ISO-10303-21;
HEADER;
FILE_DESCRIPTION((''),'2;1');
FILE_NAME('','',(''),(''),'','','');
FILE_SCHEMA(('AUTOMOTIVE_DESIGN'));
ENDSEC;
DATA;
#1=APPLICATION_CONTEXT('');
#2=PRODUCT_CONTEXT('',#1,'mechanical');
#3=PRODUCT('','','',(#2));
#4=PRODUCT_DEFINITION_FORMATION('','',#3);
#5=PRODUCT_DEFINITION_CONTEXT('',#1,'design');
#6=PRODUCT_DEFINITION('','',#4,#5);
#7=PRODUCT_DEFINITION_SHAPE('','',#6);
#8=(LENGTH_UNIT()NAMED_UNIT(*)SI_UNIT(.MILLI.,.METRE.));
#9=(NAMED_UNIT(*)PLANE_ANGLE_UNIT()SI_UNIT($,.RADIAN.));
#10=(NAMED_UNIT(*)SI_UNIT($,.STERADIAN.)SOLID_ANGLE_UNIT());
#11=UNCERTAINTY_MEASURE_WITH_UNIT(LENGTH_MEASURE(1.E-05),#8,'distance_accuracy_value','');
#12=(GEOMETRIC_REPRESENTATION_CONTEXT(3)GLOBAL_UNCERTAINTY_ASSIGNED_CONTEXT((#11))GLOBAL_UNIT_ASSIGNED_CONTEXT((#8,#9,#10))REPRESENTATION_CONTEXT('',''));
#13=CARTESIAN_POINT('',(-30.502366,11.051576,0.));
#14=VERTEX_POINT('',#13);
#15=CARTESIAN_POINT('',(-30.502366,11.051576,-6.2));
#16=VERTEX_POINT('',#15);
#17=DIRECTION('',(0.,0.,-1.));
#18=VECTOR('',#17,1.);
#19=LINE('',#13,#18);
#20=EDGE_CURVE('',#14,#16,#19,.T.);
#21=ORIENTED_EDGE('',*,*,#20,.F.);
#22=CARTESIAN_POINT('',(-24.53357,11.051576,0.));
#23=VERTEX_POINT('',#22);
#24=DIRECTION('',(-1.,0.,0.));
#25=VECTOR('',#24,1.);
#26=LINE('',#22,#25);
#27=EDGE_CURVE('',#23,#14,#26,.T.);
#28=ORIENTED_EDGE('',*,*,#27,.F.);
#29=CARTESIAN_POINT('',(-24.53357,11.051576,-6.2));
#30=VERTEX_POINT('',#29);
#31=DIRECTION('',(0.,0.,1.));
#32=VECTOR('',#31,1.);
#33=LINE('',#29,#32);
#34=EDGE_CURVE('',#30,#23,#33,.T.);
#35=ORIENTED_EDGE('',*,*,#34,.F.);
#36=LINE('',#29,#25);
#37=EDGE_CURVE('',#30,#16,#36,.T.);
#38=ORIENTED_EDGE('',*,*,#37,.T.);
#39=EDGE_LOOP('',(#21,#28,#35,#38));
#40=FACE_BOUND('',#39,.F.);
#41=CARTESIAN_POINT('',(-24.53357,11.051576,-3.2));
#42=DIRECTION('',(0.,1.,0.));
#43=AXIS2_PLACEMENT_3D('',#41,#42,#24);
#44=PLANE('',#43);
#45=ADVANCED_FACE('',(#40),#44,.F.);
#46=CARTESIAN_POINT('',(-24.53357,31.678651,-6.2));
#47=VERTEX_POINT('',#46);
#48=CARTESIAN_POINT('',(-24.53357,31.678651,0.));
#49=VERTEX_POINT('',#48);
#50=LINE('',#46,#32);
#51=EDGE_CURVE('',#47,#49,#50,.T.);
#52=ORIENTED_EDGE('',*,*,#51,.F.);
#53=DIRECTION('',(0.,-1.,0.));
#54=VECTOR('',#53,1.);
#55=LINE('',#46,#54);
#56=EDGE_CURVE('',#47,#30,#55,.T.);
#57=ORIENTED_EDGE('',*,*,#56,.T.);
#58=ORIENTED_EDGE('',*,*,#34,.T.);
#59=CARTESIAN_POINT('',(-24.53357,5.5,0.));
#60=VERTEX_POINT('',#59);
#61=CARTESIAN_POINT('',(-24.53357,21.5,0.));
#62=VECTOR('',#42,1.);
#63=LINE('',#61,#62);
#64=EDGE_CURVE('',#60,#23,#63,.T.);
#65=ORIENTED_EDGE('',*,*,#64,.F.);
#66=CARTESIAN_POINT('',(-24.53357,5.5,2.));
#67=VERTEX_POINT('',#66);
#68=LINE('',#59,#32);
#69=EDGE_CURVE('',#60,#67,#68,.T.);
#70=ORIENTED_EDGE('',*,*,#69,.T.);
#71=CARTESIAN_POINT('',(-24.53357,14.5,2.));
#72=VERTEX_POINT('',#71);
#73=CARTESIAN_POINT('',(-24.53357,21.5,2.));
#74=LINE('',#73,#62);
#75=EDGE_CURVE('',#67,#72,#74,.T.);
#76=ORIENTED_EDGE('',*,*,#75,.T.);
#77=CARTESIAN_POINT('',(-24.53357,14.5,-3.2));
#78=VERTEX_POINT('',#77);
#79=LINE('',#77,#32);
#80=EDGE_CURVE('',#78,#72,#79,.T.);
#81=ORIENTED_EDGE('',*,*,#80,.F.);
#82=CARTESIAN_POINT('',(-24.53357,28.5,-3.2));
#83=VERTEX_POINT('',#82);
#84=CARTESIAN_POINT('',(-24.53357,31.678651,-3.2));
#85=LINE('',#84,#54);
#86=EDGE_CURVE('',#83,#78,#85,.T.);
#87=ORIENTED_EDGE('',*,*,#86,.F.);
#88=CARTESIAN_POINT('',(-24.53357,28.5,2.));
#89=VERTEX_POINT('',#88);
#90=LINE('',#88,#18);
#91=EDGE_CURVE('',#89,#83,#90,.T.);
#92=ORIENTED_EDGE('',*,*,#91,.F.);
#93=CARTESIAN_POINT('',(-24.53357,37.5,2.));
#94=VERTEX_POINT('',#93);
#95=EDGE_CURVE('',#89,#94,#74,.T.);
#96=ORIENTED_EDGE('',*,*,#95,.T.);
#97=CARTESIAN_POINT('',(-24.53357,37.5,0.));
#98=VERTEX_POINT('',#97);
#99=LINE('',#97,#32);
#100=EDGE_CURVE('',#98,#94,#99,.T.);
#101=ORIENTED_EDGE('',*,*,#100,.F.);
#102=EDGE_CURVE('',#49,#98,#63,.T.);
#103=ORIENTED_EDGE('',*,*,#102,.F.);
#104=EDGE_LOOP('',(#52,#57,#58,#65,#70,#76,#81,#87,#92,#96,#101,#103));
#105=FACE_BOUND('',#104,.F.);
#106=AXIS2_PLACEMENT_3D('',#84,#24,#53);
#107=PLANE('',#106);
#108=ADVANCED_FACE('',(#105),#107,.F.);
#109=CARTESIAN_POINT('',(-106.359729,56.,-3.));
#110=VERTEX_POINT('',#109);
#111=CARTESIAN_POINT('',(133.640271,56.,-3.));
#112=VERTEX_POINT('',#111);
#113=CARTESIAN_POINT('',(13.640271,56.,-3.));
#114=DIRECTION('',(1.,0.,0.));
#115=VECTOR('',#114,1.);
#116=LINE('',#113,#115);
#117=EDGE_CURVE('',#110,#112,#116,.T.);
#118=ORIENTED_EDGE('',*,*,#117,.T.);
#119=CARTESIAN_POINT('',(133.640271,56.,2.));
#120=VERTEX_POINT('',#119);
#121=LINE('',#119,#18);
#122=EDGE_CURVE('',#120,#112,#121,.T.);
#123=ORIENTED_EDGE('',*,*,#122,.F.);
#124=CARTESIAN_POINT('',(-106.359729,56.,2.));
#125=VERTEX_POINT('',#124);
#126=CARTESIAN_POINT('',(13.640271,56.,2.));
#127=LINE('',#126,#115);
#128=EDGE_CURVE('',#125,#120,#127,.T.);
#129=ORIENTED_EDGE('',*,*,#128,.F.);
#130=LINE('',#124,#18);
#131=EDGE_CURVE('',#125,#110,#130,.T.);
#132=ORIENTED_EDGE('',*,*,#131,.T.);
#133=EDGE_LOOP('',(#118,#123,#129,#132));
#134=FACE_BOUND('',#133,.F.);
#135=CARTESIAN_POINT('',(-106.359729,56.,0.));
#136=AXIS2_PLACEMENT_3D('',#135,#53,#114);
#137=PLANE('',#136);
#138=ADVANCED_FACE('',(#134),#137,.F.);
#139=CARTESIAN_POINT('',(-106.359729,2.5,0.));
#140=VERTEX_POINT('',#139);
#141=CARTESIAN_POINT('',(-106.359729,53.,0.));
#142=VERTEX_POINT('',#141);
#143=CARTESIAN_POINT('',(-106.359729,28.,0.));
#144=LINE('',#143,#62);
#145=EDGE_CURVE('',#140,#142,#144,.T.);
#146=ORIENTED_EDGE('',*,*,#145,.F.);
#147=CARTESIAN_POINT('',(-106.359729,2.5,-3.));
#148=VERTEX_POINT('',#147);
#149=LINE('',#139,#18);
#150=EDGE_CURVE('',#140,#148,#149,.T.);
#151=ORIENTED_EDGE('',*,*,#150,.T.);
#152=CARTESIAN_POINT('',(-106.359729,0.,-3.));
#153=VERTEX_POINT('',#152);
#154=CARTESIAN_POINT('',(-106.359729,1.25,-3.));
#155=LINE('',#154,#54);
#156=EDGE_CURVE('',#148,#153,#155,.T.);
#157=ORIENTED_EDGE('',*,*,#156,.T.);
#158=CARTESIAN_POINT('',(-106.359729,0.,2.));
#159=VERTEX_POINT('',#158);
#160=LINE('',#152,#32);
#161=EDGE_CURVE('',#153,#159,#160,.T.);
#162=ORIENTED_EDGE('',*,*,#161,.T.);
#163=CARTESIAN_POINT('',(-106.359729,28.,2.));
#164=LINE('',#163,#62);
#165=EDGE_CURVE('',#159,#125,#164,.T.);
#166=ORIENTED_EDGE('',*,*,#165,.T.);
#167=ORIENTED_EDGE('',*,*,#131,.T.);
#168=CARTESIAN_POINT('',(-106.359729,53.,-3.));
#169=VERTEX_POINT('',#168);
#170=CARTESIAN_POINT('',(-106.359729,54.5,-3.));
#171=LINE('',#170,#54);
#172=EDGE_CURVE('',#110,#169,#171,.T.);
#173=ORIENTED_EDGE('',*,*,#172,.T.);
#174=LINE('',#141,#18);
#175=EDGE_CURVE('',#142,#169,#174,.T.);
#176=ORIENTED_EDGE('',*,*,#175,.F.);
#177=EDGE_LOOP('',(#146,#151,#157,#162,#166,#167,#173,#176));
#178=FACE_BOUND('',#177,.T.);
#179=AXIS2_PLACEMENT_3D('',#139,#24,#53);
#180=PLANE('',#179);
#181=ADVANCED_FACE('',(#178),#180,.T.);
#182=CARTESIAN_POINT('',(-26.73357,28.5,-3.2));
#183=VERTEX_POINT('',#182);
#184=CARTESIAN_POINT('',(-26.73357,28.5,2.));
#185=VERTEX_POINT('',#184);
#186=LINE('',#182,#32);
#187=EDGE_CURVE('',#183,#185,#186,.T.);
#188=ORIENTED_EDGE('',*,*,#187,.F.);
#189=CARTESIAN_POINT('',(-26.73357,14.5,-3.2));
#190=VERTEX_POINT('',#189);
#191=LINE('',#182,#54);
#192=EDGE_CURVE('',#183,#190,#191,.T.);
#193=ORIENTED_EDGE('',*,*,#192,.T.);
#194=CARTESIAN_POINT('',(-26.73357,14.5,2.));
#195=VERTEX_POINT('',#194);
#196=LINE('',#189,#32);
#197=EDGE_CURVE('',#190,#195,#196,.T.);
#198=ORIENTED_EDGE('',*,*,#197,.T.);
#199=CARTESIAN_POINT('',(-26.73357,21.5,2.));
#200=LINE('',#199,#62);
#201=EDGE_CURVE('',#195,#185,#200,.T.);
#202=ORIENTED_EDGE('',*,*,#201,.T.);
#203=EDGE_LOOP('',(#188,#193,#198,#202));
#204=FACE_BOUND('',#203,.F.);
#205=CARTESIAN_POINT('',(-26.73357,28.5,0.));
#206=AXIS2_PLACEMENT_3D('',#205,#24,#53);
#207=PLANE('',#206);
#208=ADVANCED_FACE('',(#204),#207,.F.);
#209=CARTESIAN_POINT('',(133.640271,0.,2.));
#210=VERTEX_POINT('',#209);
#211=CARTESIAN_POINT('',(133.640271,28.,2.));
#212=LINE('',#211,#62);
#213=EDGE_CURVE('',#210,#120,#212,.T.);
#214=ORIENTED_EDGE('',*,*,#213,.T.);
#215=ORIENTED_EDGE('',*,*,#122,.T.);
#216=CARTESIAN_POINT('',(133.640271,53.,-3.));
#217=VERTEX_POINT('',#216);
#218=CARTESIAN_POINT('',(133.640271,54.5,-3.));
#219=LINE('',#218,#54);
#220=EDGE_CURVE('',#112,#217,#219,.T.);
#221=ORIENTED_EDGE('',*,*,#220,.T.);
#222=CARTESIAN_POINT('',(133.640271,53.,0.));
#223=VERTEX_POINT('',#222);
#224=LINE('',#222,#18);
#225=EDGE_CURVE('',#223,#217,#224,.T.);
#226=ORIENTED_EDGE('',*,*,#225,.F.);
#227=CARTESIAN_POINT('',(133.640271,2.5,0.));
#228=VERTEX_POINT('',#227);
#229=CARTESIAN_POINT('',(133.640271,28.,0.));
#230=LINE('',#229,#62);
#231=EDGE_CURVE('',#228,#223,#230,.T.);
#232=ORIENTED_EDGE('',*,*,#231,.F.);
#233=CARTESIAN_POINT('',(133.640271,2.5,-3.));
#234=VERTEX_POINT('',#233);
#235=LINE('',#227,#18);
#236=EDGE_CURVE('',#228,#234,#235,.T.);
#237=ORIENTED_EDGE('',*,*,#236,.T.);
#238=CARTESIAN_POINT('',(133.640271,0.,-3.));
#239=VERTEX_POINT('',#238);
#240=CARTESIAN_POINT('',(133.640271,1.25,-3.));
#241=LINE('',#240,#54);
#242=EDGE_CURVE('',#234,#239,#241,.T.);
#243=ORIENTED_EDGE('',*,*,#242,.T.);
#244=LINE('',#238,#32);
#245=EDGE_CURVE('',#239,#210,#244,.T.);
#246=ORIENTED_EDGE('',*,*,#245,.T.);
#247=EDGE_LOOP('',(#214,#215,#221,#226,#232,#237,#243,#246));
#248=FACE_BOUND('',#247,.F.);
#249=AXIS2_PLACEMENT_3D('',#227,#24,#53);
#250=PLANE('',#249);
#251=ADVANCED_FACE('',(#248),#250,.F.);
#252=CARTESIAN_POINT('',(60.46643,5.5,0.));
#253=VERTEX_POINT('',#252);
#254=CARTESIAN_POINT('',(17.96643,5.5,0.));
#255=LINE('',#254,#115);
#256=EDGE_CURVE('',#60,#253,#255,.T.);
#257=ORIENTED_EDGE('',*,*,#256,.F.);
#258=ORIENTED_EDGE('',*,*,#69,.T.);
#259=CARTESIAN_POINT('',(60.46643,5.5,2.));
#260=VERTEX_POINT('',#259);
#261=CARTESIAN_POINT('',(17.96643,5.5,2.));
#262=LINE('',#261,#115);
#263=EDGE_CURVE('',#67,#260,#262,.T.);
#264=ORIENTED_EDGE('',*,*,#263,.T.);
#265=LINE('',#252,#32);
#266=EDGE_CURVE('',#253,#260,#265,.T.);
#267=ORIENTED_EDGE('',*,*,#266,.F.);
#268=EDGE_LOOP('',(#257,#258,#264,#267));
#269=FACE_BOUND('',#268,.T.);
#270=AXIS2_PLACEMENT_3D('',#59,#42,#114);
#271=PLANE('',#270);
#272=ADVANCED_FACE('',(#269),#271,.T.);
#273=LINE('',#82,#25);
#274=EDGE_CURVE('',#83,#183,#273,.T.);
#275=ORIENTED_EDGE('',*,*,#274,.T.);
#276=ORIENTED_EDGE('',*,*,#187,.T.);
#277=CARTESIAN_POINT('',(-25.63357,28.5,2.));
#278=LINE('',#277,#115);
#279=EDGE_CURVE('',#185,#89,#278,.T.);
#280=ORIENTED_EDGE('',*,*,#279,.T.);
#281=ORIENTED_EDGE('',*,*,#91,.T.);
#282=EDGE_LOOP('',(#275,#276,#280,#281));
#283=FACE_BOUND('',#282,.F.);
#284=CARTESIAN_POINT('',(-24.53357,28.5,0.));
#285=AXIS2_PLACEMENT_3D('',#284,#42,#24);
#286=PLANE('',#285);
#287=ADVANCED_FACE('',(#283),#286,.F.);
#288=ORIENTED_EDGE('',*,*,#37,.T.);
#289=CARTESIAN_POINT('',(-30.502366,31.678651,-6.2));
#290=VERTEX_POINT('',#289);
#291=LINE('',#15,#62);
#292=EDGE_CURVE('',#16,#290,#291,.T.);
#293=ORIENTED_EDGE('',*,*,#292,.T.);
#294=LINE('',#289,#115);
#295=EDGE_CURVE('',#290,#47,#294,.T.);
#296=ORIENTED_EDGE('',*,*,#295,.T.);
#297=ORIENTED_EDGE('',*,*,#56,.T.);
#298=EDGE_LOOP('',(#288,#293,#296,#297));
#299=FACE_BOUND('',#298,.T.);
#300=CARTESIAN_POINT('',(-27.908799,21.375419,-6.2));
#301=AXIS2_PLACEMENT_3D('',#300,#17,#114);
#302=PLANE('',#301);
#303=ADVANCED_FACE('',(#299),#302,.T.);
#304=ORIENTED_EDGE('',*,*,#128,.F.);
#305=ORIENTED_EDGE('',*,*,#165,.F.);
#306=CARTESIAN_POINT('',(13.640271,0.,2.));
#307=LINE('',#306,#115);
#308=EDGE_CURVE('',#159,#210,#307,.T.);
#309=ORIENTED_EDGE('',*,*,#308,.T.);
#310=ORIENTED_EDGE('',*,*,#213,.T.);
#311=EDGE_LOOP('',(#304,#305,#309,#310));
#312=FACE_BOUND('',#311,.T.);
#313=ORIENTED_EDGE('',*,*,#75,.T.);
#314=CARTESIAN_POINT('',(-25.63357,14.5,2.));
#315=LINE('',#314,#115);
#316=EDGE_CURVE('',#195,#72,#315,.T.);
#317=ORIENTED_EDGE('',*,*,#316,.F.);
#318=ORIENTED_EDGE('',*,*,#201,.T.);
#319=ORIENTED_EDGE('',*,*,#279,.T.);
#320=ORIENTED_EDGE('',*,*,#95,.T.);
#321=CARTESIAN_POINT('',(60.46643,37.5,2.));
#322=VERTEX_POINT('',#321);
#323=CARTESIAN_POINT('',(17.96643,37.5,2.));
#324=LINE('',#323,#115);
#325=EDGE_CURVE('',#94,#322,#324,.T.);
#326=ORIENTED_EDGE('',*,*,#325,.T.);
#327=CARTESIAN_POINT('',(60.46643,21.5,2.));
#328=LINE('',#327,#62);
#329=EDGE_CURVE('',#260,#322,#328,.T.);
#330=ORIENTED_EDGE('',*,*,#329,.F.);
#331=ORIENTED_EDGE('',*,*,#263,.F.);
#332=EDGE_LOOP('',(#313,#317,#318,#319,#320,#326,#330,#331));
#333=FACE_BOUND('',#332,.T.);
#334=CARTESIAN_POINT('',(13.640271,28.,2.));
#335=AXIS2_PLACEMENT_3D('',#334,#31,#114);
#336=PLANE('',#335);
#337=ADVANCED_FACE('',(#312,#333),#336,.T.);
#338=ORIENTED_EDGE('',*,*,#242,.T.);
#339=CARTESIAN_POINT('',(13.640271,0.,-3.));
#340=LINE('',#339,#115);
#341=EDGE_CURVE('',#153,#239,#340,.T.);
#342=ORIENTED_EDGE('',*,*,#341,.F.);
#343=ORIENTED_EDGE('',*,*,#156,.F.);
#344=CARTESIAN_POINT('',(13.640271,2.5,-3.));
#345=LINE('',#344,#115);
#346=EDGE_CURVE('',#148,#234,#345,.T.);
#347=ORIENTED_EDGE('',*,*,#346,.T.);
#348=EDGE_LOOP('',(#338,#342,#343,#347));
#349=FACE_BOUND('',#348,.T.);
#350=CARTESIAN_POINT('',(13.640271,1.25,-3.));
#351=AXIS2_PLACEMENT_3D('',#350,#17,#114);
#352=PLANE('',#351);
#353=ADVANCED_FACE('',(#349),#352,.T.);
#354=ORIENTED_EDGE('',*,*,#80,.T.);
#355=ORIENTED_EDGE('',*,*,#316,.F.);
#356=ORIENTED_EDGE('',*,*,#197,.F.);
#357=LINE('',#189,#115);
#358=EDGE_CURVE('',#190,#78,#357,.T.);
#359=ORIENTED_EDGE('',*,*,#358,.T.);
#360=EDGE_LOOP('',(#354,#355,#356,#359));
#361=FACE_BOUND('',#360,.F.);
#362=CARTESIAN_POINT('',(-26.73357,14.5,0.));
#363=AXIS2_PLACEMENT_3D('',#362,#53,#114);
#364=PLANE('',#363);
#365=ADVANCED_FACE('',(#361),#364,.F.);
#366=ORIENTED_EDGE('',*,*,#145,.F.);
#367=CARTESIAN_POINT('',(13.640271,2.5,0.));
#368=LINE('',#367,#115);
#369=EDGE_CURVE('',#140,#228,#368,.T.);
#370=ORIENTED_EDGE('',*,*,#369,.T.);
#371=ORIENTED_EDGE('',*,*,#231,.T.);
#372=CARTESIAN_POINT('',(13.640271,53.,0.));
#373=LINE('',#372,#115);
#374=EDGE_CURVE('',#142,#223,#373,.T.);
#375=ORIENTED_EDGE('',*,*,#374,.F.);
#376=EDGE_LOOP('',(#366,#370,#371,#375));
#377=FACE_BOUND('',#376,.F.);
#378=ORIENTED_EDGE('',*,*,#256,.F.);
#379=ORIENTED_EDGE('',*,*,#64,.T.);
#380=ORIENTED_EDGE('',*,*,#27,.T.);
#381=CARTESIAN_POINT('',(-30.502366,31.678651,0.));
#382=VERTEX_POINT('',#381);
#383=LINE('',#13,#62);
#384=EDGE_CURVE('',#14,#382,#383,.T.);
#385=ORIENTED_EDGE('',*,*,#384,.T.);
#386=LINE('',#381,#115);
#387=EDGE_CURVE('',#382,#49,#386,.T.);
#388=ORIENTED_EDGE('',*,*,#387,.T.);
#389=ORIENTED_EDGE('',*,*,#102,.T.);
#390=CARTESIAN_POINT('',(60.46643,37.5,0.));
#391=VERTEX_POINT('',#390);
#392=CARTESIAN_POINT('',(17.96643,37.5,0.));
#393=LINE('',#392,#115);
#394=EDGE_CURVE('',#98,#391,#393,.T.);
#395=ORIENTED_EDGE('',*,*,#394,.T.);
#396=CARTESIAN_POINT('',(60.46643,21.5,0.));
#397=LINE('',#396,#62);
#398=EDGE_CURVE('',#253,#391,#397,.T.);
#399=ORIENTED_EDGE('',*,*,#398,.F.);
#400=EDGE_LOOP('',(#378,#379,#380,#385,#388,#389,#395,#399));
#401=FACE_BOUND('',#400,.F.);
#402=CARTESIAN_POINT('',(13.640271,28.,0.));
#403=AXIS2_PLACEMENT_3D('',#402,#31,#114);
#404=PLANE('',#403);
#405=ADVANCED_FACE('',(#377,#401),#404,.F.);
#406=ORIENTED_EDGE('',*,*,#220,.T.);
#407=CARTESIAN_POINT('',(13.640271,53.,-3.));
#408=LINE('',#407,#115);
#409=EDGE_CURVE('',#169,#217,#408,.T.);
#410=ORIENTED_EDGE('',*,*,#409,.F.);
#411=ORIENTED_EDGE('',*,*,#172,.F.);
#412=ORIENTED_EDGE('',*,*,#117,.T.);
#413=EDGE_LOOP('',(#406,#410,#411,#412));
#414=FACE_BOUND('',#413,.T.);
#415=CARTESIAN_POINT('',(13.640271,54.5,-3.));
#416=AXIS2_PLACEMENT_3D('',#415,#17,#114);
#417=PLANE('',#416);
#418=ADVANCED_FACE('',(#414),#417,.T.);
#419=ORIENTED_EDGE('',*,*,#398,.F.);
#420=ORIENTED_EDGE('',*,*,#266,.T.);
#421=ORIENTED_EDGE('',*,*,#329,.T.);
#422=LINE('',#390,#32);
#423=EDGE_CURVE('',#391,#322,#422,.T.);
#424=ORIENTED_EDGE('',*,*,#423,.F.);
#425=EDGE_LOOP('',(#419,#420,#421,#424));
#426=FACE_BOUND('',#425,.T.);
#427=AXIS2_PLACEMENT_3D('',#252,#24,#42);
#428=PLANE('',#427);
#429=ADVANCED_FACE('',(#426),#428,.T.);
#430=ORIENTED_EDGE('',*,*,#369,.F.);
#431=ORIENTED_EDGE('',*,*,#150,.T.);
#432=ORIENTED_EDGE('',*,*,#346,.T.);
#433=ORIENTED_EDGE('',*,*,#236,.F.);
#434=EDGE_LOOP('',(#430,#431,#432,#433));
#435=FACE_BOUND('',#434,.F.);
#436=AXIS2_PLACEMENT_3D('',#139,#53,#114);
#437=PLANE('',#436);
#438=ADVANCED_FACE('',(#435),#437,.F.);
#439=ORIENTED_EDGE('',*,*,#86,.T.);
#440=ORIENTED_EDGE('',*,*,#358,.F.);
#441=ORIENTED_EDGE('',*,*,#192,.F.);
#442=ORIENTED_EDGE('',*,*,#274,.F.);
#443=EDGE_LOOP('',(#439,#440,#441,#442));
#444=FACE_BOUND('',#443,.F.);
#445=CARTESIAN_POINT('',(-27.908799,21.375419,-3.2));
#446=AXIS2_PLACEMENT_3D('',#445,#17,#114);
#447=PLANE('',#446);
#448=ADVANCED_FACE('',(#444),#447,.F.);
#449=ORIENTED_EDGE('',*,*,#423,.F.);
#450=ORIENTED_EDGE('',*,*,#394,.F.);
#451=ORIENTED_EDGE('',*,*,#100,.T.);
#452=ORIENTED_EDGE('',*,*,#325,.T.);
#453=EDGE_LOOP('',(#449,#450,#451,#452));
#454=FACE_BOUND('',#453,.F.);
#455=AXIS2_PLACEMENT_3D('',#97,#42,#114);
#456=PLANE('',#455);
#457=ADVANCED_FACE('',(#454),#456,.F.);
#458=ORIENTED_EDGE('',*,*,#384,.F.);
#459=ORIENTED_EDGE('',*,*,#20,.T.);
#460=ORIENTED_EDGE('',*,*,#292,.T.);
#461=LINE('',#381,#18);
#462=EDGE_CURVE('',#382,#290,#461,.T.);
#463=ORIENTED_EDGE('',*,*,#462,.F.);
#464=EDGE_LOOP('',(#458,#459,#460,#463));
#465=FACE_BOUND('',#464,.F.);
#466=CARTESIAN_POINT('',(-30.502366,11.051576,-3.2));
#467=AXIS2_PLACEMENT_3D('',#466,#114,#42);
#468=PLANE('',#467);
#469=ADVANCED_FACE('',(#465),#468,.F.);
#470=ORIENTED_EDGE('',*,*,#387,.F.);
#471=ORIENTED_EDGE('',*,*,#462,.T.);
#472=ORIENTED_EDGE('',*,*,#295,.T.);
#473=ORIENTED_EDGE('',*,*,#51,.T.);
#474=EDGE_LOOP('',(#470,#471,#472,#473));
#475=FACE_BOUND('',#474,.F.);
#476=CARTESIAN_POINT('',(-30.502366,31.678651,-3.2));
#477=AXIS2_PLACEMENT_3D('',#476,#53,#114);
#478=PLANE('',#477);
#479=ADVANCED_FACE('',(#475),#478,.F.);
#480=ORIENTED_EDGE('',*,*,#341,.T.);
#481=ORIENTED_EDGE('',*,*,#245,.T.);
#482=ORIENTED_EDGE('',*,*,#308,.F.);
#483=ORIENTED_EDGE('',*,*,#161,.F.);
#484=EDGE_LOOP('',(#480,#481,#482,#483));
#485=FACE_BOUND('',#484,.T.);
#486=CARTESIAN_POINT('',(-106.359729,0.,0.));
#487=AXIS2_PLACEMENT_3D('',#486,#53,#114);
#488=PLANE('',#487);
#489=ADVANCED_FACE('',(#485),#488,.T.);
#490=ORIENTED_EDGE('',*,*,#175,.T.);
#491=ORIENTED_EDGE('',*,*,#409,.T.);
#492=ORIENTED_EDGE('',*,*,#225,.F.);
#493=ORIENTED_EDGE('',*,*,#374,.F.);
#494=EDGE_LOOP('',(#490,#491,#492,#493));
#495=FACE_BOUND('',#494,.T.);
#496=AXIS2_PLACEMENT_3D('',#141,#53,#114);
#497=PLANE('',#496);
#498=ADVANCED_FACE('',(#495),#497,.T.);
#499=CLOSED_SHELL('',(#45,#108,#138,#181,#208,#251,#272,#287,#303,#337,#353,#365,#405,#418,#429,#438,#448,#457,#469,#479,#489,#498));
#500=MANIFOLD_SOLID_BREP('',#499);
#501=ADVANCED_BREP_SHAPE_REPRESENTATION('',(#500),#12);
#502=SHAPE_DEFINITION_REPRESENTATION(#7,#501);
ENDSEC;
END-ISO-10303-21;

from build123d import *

# Parameters (mm, degrees)
F0_W      = 240
F0_H      = 56
F0_W_2    = 85
F0_H_2    = 32
F1_DEPTH  = 2
F2_W      = 2.2
F2_H      = 14
F3_DEPTH  = 25
F5_DEPTH  = 3.2
F6_W      = 2.2
F6_H      = 14
F7_DEPTH  = 3
F8_W      = 240
F8_H      = 3
F9_DEPTH  = 3
F8_H_2    = 2.5
F10_DEPTH = 3


with BuildPart() as f1:
    # F0 (on Top) → F1 (new body)
    with BuildSketch(Plane.XY):
        with Locations((13.640271, 28)):
            Rectangle(F0_W, F0_H)
        with Locations((17.96643, 21.5)):
            Rectangle(F0_W_2, F0_H_2, mode=Mode.SUBTRACT)
    extrude(amount=F1_DEPTH)

    # F2 (on face) → F3 (cut)
    with BuildSketch(Plane.XY.offset(2)):
        with Locations((-25.63357, 21.5)):
            Rectangle(F2_W, F2_H)
    extrude(amount=-F3_DEPTH, mode=Mode.SUBTRACT)

    # F4 (on face) → F5 (join)
    with BuildSketch(Plane(origin=(0, 0, 0), x_dir=(1, 0, 0), z_dir=(0, 0, -1))):
        Polygon((-24.53357, -14.5), (-24.53357, -11.051576), (-30.502366, -11.051576), (-30.502366, -31.678651), (-24.53357, -31.678651), (-24.53357, -28.5), (-26.73357, -28.5), (-26.73357, -14.5), align=None)
    extrude(amount=F5_DEPTH)

    # F6 (on face) → F7 (join)
    with BuildSketch(Plane(origin=(0, 0, -3.2), x_dir=(1, 0, 0), z_dir=(0, 0, -1))):
        Polygon((-24.53357, -14.5), (-24.53357, -11.051576), (-30.502366, -11.051576), (-30.502366, -31.678651), (-24.53357, -31.678651), (-24.53357, -28.5), (-26.73357, -28.5), (-26.73357, -14.5), align=None)
        with Locations((-25.63357, -21.5)):
            Rectangle(F6_W, F6_H)
    extrude(amount=F7_DEPTH)

    # F8 (on face) → F9 (join)
    with BuildSketch(Plane(origin=(0, 0, 0), x_dir=(1, 0, 0), z_dir=(0, 0, -1))):
        with Locations((13.640271, -54.5)):
            Rectangle(F8_W, F8_H)
    extrude(amount=F9_DEPTH)

    # F8 (on face) → F10 (join)
    with BuildSketch(Plane(origin=(0, 0, 0), x_dir=(1, 0, 0), z_dir=(0, 0, -1))):
        with Locations((13.640271, -1.25)):
            Rectangle(F8_W, F8_H_2)
    extrude(amount=F10_DEPTH)


solid = f1.part
